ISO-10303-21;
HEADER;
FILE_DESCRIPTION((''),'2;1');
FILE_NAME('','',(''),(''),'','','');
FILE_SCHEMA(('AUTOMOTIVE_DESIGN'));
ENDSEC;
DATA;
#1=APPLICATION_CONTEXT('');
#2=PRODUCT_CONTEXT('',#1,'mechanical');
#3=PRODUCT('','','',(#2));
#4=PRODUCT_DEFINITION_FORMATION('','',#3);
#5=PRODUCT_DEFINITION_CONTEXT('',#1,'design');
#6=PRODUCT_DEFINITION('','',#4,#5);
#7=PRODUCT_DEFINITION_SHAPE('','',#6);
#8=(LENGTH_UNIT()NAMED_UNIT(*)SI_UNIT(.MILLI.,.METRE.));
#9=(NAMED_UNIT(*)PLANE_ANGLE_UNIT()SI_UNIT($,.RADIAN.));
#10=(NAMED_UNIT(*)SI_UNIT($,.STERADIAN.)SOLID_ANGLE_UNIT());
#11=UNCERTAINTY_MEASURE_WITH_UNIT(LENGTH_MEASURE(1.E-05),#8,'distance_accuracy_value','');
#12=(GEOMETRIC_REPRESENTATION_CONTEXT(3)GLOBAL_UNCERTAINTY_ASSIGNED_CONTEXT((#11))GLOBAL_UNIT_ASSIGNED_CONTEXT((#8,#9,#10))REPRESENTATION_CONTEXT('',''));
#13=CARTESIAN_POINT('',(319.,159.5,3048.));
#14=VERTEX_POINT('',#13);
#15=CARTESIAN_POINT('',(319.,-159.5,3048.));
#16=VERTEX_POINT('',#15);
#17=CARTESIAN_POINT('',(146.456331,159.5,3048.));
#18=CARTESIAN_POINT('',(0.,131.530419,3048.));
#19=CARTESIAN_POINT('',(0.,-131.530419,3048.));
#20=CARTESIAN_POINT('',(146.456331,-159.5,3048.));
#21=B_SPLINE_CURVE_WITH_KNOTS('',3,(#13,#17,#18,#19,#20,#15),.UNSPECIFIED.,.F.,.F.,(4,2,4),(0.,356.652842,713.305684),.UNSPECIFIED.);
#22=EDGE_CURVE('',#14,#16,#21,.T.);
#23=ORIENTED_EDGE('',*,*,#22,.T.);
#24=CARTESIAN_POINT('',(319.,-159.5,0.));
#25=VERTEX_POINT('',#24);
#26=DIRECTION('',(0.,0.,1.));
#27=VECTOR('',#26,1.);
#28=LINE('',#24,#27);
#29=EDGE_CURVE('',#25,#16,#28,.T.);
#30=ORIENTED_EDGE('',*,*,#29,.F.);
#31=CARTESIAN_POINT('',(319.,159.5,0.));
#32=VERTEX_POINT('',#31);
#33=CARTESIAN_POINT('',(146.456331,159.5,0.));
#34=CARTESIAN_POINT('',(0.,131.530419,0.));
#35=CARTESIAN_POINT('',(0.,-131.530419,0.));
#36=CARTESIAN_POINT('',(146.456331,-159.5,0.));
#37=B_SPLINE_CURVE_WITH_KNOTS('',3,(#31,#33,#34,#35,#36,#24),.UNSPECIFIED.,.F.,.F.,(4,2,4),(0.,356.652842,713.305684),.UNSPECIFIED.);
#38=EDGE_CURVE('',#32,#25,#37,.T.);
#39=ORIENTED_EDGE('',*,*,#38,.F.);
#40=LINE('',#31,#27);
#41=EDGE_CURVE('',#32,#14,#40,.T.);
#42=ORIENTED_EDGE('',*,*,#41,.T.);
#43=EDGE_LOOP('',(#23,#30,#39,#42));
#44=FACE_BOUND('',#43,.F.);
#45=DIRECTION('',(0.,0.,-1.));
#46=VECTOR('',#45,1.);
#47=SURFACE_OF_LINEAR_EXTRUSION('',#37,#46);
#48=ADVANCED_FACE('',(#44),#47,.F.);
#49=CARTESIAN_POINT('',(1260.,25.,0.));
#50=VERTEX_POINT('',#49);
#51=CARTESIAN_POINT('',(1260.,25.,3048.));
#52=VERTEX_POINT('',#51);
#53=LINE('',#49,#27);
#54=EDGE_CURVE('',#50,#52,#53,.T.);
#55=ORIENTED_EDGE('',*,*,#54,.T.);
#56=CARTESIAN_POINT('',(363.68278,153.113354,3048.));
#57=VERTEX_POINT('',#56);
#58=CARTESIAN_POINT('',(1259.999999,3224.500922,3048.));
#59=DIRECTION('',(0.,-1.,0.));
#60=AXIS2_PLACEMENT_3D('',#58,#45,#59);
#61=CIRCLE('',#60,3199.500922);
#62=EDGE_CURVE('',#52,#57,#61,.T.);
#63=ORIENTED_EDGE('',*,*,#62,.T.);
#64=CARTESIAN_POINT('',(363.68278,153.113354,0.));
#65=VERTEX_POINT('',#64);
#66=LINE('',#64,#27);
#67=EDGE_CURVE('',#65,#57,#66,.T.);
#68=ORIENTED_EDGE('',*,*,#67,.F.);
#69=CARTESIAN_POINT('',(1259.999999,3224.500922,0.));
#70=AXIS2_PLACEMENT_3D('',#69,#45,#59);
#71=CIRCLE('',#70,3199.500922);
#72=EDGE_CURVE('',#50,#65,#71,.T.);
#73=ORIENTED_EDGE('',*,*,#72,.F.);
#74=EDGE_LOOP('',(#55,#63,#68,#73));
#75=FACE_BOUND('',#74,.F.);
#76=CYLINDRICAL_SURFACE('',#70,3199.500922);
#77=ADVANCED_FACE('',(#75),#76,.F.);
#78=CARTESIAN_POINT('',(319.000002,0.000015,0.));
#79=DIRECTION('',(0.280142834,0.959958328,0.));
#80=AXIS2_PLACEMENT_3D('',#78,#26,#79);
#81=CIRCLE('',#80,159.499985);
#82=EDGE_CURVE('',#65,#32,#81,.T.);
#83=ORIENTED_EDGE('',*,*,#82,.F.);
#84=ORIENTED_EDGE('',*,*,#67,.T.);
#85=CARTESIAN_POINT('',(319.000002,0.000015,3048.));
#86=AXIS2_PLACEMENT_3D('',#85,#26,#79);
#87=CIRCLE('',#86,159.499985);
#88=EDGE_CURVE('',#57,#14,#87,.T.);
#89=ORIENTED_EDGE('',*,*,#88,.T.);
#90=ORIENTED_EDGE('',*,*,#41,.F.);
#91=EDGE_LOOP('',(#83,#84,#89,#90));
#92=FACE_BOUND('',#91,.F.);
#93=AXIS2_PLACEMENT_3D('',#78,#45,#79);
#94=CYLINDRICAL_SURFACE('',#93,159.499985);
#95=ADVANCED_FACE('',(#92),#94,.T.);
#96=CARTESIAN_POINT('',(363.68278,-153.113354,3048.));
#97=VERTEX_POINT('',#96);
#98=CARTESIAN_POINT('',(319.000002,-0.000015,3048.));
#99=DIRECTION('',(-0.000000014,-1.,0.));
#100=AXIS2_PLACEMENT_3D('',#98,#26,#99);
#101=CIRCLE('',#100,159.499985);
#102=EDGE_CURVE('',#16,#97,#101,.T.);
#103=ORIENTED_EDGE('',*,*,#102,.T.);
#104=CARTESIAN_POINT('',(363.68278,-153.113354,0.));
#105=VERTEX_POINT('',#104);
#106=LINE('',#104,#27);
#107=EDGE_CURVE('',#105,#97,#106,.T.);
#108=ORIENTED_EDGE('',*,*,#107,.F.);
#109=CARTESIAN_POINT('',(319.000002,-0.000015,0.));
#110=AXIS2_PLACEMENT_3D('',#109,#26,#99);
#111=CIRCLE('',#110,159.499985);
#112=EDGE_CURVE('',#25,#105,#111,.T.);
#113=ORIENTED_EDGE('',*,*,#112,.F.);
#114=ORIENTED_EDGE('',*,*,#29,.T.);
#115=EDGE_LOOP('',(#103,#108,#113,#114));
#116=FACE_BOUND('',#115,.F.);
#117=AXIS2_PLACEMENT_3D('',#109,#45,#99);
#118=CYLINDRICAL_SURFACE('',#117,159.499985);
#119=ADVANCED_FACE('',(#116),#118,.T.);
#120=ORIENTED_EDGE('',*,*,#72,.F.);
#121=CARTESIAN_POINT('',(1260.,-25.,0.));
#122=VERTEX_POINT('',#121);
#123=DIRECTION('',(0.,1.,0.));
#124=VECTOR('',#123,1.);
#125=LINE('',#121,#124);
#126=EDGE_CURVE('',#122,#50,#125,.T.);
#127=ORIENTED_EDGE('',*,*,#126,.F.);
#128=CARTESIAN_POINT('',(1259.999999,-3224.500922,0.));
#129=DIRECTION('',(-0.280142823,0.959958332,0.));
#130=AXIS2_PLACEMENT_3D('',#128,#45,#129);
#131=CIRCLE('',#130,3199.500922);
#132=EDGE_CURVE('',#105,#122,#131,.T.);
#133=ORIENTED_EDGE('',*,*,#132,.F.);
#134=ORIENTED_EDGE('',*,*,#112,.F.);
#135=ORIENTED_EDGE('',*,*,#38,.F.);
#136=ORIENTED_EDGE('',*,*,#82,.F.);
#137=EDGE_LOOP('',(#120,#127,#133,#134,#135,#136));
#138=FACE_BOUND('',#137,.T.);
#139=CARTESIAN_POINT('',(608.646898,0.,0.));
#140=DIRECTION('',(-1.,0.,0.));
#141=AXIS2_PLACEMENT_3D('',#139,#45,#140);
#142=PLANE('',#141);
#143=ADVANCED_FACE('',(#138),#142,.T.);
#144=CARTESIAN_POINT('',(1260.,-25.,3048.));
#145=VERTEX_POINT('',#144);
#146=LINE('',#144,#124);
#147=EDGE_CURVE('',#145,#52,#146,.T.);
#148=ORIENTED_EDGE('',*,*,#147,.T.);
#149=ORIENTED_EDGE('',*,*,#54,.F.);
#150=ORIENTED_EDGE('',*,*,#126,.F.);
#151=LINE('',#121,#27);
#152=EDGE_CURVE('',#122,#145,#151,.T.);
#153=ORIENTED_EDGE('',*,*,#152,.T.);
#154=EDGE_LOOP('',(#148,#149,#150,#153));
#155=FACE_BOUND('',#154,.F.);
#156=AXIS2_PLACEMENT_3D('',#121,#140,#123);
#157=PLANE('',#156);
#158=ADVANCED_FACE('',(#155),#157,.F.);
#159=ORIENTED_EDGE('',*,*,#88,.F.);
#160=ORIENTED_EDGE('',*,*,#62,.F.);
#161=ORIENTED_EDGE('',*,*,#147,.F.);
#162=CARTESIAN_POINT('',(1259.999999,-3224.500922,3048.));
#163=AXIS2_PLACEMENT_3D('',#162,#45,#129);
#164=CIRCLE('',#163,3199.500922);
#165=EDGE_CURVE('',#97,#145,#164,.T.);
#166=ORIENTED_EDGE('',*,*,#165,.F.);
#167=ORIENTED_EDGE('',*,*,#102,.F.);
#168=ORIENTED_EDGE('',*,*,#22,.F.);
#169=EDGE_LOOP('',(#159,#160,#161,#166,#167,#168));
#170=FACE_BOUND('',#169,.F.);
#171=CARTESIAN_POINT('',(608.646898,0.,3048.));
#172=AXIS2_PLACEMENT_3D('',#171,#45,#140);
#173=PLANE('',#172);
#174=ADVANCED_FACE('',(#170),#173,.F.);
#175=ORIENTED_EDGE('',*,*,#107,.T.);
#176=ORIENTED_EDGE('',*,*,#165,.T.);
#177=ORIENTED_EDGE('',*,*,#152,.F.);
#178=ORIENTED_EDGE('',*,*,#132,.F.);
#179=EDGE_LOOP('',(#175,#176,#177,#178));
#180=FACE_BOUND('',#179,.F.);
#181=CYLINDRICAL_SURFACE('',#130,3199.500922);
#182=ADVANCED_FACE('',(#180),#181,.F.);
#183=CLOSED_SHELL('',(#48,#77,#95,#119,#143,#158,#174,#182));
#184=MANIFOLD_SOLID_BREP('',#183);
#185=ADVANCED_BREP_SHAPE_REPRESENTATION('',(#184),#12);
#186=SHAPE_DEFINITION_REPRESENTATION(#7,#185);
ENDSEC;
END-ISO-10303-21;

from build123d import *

# Parameters (mm, degrees)
F1_DEPTH = 3048


with BuildPart() as f1:
    # F0 (on Top) → F1 (new body)
    with BuildSketch(Plane.XY):
        with BuildLine():
            add(Edge.make_bspline(
                [(0, 0), (0, 131.530419), (146.456331, 159.5), (319, 159.5)],
                knots=[0, 0, 0, 0, 356.652842, 356.652842, 356.652842, 356.652842], degree=3))
            add(Edge.make_bspline(
                [(0, 0), (0, -131.530419), (146.456331, -159.5), (319, -159.5)],
                knots=[0, 0, 0, 0, 356.652842, 356.652842, 356.652842, 356.652842], degree=3))
            ThreePointArc((319, -159.5), (341.568452, -157.895266), (363.68278, -153.113354))
            ThreePointArc((363.68278, -153.113354), (807.286628, -57.190272), (1260, -25))
            Line((1260, -25), (1260, 0))
            Line((1260, 0), (1260, 25))
            ThreePointArc((1260, 25), (807.286628, 57.190272), (363.68278, 153.113354))
            ThreePointArc((363.68278, 153.113354), (341.568452, 157.895266), (319, 159.5))
        make_face()
    extrude(amount=F1_DEPTH)


solid = f1.part
